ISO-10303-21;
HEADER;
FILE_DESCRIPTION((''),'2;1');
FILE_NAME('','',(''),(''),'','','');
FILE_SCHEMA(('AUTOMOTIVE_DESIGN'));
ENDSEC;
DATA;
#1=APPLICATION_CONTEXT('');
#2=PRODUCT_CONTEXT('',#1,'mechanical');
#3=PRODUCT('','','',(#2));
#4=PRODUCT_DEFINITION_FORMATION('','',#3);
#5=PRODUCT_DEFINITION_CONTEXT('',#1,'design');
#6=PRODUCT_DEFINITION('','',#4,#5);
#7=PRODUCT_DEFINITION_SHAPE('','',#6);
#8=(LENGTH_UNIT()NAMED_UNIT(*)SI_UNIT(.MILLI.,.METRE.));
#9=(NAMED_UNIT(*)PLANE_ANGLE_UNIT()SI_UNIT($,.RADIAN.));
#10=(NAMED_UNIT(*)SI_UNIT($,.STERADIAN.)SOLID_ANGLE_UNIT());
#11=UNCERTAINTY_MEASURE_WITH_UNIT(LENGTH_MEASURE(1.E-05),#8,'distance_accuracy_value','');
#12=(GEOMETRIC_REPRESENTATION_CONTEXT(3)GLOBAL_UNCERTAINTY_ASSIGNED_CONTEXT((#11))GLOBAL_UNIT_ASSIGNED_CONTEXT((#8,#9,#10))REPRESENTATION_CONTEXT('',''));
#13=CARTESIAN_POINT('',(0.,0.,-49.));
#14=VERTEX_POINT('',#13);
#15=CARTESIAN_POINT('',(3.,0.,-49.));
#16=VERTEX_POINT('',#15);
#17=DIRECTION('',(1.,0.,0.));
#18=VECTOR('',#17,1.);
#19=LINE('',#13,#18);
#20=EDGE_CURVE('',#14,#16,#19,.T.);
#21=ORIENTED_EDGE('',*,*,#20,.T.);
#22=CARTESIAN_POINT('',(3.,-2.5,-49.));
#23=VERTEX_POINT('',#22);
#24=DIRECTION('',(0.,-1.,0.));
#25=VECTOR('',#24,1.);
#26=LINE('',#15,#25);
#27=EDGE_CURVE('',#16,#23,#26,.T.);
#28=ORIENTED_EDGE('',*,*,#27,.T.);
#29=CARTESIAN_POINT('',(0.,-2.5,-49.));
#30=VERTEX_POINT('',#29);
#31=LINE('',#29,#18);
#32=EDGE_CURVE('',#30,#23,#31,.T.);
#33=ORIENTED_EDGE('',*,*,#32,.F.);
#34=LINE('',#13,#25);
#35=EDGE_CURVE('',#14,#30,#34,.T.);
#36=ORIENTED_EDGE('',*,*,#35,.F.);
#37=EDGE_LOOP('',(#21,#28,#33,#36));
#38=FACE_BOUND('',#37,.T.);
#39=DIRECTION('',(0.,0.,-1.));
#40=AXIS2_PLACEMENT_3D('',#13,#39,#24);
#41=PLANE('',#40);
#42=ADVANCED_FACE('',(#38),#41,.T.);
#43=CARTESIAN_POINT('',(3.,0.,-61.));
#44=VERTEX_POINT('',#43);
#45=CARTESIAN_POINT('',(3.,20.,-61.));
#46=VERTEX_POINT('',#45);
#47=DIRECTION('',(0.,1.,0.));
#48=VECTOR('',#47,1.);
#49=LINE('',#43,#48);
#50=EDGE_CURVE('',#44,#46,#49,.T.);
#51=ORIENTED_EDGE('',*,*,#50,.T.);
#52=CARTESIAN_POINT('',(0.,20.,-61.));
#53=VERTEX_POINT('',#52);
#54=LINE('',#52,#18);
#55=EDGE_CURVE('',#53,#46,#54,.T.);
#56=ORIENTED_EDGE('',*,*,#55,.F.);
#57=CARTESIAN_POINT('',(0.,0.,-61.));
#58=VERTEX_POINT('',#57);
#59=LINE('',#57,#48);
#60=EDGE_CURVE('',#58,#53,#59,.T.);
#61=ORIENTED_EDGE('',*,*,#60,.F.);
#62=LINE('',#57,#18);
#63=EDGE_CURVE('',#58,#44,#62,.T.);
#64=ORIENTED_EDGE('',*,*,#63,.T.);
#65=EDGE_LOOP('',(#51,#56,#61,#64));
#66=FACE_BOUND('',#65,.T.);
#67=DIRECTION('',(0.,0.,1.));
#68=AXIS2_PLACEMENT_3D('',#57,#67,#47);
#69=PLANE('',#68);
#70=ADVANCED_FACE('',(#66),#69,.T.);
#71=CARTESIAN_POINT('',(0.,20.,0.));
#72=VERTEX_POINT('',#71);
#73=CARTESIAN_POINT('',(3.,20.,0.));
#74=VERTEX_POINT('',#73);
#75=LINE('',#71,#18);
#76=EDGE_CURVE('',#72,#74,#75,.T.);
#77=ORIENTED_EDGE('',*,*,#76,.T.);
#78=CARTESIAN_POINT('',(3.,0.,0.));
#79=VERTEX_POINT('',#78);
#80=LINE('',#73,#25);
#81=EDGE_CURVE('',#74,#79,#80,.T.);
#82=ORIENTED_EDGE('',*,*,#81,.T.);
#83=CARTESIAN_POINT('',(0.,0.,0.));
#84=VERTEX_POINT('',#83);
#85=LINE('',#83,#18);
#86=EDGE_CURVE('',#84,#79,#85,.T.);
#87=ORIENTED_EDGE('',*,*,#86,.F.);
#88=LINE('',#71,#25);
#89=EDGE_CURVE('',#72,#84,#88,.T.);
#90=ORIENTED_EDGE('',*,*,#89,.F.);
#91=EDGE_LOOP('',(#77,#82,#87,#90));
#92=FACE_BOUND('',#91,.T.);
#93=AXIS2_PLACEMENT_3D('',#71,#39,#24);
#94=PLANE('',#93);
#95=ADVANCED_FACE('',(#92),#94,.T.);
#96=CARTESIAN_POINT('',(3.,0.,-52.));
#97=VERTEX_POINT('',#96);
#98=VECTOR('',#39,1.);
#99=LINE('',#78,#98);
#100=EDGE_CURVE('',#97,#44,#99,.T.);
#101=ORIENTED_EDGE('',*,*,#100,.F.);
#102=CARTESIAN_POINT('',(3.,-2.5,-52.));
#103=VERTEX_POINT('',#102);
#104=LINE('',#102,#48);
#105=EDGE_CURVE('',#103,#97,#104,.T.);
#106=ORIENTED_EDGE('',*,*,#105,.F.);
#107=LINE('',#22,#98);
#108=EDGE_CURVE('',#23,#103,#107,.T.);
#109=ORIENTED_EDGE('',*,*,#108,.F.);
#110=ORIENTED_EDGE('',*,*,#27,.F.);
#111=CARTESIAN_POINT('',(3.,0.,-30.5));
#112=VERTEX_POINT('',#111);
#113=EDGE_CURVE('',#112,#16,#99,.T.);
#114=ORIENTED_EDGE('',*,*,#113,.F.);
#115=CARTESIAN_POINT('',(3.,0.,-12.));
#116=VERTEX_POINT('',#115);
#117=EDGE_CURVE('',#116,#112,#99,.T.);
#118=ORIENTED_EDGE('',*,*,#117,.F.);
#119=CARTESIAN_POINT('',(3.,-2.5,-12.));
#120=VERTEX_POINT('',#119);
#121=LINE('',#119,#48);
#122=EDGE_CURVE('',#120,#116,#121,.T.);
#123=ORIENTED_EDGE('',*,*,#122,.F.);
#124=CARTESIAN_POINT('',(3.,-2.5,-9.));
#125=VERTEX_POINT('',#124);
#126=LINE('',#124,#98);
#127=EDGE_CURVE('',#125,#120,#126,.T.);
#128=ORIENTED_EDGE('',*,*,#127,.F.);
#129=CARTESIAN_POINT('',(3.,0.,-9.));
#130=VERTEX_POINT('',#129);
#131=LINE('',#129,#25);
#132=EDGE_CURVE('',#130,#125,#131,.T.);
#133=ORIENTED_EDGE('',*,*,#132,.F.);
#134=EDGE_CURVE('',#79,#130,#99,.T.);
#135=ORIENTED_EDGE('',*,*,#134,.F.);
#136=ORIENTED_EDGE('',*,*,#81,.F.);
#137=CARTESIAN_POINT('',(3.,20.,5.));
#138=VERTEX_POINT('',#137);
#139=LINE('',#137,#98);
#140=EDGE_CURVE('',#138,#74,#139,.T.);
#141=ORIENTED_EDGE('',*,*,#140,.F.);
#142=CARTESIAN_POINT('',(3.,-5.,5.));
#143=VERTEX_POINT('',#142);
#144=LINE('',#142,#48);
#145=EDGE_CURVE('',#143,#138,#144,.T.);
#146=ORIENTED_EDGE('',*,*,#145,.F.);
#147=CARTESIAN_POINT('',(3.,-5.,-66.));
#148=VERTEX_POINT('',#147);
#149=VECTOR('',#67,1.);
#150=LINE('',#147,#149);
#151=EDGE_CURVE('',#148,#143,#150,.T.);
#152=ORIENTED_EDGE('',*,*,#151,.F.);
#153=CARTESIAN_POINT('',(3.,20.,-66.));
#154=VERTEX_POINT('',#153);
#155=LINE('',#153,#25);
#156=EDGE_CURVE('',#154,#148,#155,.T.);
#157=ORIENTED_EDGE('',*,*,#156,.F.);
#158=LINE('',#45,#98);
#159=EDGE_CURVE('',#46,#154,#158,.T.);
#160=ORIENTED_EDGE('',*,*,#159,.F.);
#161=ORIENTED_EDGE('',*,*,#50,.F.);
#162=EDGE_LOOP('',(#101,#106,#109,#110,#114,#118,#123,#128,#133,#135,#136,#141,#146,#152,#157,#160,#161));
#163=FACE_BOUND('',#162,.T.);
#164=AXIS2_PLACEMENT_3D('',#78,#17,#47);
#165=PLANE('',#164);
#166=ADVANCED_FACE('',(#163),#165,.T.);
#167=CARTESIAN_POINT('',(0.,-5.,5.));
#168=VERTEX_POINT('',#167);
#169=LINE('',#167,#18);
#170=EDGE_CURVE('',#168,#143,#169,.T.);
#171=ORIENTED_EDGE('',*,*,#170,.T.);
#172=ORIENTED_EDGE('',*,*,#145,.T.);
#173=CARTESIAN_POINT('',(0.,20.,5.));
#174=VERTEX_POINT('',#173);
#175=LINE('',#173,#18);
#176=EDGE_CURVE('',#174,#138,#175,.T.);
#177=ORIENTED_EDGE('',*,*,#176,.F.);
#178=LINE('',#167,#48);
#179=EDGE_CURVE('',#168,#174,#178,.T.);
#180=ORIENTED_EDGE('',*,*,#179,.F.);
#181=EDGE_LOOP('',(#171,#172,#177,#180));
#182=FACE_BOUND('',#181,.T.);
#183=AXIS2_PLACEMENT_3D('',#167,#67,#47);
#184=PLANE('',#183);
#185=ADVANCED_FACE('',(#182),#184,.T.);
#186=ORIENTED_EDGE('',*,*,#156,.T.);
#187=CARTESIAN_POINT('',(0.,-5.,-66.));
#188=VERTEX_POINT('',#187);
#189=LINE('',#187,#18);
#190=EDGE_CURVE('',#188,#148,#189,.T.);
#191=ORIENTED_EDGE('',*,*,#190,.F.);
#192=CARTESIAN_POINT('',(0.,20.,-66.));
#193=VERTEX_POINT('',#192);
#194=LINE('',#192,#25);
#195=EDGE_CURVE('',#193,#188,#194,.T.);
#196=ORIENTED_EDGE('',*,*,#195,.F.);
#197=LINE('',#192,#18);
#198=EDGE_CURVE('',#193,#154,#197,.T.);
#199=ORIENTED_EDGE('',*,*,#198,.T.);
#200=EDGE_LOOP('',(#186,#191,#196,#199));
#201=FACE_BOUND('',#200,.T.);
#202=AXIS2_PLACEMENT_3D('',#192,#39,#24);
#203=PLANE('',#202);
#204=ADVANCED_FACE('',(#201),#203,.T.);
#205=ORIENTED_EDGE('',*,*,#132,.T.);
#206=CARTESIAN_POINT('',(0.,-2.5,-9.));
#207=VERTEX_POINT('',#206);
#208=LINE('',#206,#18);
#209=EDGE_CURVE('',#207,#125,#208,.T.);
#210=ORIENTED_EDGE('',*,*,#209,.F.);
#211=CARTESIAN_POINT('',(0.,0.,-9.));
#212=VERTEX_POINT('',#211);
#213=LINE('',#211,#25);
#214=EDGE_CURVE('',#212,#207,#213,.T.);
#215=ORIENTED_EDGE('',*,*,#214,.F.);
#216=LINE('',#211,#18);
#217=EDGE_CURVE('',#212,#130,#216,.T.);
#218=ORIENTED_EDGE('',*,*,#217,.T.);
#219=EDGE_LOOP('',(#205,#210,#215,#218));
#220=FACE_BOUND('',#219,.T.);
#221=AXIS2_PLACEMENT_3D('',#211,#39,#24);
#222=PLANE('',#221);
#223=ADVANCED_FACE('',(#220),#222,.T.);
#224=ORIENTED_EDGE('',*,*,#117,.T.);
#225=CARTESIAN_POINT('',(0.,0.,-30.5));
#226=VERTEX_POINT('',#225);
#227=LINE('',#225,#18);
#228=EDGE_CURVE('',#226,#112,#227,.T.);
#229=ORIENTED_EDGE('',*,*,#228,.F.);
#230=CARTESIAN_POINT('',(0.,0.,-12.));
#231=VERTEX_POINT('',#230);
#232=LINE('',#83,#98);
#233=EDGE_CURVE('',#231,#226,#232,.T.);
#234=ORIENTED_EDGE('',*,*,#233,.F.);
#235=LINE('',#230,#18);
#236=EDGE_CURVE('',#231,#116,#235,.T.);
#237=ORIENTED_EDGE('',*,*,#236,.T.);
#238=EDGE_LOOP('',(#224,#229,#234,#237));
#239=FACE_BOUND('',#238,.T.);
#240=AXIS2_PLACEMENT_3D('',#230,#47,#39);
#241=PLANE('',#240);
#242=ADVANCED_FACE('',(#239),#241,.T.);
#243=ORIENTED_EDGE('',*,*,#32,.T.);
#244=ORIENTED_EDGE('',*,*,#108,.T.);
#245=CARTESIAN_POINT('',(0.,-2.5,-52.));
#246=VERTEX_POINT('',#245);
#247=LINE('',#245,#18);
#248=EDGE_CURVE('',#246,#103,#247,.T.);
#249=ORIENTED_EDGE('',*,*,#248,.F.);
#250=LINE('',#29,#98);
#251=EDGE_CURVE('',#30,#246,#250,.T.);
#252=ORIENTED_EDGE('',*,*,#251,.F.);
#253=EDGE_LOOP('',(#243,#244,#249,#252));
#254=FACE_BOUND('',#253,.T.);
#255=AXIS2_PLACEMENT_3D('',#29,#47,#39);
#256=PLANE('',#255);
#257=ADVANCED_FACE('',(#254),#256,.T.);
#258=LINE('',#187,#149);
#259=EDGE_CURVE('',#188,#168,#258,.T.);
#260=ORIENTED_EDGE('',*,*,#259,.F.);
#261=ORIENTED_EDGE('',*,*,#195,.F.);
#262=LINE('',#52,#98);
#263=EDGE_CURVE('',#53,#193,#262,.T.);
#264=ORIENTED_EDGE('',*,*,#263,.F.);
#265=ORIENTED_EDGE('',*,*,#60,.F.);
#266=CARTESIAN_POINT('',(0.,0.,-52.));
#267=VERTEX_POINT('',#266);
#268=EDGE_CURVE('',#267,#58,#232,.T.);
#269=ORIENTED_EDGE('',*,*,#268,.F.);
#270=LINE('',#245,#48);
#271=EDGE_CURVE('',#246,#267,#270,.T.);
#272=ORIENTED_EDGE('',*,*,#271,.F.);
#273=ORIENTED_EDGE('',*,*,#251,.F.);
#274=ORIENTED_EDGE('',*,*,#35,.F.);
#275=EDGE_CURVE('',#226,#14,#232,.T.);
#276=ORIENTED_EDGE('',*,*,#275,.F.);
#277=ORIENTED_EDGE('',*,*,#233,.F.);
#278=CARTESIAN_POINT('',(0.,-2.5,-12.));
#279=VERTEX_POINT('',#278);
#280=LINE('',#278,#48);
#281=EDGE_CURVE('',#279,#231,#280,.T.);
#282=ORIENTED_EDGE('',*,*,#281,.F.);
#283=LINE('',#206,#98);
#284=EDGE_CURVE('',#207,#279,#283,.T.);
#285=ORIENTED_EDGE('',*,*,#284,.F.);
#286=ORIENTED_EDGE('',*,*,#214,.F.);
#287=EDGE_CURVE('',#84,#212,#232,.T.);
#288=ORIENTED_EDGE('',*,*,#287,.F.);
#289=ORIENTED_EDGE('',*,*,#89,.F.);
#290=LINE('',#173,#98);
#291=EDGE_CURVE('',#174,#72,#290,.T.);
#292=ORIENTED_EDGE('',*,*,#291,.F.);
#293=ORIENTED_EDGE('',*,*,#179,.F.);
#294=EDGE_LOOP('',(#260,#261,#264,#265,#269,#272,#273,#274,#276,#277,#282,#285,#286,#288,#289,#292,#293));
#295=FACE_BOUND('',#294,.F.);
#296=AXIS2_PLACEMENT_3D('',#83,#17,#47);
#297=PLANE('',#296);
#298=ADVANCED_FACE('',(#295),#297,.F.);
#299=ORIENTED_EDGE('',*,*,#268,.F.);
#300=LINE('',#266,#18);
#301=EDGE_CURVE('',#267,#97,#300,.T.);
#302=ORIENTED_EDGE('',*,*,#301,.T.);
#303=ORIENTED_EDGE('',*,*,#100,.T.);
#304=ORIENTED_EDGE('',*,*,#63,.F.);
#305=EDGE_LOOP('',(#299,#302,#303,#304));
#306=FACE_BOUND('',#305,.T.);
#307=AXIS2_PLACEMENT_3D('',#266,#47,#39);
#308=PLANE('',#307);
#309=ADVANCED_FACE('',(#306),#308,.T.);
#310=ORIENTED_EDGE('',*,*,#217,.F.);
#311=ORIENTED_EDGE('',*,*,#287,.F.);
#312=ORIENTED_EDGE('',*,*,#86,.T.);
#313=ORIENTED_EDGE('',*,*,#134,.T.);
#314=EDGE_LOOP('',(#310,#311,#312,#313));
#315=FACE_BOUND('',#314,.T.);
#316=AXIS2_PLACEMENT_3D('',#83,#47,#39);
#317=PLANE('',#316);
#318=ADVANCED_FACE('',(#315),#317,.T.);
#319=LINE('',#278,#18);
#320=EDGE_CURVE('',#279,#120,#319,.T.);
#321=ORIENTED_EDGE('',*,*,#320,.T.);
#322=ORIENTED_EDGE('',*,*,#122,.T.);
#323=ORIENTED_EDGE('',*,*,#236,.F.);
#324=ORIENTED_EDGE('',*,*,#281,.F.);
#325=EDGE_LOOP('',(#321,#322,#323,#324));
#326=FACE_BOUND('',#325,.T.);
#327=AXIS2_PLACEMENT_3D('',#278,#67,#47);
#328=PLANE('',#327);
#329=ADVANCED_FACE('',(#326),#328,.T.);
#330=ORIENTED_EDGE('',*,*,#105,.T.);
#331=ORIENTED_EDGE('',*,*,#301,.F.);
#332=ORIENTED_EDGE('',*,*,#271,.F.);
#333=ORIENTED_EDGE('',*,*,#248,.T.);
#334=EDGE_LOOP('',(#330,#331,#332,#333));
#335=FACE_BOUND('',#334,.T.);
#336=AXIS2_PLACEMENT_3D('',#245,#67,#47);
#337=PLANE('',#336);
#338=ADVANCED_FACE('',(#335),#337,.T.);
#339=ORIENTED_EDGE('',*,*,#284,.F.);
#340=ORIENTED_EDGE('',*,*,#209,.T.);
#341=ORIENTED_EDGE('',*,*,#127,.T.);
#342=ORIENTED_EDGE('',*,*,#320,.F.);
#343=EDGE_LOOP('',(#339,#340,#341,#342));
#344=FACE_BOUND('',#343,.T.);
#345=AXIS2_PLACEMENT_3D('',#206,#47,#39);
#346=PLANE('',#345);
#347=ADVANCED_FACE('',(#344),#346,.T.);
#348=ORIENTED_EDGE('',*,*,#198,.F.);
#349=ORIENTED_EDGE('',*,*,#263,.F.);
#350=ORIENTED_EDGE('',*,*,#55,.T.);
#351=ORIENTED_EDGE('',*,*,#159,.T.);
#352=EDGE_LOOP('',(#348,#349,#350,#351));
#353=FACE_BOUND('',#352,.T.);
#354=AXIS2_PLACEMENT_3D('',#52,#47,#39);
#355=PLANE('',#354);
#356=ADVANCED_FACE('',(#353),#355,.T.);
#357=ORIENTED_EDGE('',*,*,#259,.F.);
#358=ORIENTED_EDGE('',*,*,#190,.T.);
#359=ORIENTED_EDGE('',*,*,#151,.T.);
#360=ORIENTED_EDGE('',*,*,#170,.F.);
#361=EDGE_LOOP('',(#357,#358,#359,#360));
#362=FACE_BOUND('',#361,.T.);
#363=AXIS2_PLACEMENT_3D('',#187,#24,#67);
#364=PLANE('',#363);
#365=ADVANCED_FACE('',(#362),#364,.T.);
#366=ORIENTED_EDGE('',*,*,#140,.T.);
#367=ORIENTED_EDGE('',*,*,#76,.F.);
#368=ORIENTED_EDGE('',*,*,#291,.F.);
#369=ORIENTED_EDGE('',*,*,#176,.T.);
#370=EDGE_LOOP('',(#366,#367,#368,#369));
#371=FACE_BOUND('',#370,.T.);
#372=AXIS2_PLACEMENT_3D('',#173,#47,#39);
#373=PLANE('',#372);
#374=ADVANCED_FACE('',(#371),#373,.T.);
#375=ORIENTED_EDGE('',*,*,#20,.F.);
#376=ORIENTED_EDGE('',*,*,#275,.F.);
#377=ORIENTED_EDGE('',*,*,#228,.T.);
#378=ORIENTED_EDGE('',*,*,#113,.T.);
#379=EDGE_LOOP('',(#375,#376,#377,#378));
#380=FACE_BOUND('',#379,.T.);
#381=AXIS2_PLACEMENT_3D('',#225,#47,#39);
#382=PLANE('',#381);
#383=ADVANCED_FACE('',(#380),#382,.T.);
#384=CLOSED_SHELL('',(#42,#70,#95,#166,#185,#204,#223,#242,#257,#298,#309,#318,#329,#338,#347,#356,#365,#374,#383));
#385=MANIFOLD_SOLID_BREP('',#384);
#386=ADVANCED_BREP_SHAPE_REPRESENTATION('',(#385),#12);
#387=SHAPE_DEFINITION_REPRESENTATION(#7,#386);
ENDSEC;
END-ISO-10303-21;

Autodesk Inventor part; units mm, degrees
ref_plane "YZ Plane" through (0, 0, 0) normal (1, 0, 0) x (0, 1, 0)
ref_plane "XZ Plane" through (0, 0, 0) normal (0, 1, 0) x (-1, 0, 0)
ref_plane "XY Plane" through (0, 0, 0) normal (0, 0, 1) x (1, 0, 0)
sketch "Sketch1" plane through (0, 0, 0) normal (1, 0, 0) x (0, 1, 0)
  line L0 (0, 0) -> (0, -61)
  line L1 (0, -61) -> (20, -61)
  line L2 (20, -61) -> (20, -66)
  line L3 (20, -66) -> (-5, -66)
  line L4 (-5, -66) -> (-5, 5)
  line L5 (-5, 5) -> (20, 5)
  line L6 (20, 5) -> (20, 0)
  line L7 (20, 0) -> (0, 0)
  line L8 (0, -30.5) -> (0, -10.5)
  line L9 (0, -30.5) -> (0, -50.5)
  line L10 (0, -10.5) -> (0, -9)
  line L11 (0, -9) -> (-2.5, -9)
  line L12 (-2.5, -9) -> (-2.5, -12)
  line L13 (-2.5, -12) -> (0, -12)
  line L14 (0, -12) -> (0, -9)
  line L15 (0, -50.5) -> (0, -49)
  line L16 (0, -49) -> (-2.5, -49)
  line L17 (-2.5, -49) -> (-2.5, -52)
  line L18 (-2.5, -52) -> (0, -52)
  line L19 (0, -52) -> (0, -49)
  point P0 (0, -52)
  dimension "d0" = 61
  dimension "d1" = 20
  dimension "d2" = 5
  dimension "d3" = 25
  dimension "d4" = 71
  dimension "d7" = 20
  dimension "d8" = 20
  dimension "d9" = 1.5
  dimension "d10" = 2.5
  dimension "d11" = 3
  dimension "d12" = 1.5
  dimension "d13" = 2.5
  dimension "d14" = 3
extrude "Extrusion1" add sketch "Sketch1" along normal blind 3 contours L0 L11 L12 L13 L16 L17 L18 L1 L2 L3 L4 L5 L6 L7
properties part number "CONTAINERHOUDER LANG"
